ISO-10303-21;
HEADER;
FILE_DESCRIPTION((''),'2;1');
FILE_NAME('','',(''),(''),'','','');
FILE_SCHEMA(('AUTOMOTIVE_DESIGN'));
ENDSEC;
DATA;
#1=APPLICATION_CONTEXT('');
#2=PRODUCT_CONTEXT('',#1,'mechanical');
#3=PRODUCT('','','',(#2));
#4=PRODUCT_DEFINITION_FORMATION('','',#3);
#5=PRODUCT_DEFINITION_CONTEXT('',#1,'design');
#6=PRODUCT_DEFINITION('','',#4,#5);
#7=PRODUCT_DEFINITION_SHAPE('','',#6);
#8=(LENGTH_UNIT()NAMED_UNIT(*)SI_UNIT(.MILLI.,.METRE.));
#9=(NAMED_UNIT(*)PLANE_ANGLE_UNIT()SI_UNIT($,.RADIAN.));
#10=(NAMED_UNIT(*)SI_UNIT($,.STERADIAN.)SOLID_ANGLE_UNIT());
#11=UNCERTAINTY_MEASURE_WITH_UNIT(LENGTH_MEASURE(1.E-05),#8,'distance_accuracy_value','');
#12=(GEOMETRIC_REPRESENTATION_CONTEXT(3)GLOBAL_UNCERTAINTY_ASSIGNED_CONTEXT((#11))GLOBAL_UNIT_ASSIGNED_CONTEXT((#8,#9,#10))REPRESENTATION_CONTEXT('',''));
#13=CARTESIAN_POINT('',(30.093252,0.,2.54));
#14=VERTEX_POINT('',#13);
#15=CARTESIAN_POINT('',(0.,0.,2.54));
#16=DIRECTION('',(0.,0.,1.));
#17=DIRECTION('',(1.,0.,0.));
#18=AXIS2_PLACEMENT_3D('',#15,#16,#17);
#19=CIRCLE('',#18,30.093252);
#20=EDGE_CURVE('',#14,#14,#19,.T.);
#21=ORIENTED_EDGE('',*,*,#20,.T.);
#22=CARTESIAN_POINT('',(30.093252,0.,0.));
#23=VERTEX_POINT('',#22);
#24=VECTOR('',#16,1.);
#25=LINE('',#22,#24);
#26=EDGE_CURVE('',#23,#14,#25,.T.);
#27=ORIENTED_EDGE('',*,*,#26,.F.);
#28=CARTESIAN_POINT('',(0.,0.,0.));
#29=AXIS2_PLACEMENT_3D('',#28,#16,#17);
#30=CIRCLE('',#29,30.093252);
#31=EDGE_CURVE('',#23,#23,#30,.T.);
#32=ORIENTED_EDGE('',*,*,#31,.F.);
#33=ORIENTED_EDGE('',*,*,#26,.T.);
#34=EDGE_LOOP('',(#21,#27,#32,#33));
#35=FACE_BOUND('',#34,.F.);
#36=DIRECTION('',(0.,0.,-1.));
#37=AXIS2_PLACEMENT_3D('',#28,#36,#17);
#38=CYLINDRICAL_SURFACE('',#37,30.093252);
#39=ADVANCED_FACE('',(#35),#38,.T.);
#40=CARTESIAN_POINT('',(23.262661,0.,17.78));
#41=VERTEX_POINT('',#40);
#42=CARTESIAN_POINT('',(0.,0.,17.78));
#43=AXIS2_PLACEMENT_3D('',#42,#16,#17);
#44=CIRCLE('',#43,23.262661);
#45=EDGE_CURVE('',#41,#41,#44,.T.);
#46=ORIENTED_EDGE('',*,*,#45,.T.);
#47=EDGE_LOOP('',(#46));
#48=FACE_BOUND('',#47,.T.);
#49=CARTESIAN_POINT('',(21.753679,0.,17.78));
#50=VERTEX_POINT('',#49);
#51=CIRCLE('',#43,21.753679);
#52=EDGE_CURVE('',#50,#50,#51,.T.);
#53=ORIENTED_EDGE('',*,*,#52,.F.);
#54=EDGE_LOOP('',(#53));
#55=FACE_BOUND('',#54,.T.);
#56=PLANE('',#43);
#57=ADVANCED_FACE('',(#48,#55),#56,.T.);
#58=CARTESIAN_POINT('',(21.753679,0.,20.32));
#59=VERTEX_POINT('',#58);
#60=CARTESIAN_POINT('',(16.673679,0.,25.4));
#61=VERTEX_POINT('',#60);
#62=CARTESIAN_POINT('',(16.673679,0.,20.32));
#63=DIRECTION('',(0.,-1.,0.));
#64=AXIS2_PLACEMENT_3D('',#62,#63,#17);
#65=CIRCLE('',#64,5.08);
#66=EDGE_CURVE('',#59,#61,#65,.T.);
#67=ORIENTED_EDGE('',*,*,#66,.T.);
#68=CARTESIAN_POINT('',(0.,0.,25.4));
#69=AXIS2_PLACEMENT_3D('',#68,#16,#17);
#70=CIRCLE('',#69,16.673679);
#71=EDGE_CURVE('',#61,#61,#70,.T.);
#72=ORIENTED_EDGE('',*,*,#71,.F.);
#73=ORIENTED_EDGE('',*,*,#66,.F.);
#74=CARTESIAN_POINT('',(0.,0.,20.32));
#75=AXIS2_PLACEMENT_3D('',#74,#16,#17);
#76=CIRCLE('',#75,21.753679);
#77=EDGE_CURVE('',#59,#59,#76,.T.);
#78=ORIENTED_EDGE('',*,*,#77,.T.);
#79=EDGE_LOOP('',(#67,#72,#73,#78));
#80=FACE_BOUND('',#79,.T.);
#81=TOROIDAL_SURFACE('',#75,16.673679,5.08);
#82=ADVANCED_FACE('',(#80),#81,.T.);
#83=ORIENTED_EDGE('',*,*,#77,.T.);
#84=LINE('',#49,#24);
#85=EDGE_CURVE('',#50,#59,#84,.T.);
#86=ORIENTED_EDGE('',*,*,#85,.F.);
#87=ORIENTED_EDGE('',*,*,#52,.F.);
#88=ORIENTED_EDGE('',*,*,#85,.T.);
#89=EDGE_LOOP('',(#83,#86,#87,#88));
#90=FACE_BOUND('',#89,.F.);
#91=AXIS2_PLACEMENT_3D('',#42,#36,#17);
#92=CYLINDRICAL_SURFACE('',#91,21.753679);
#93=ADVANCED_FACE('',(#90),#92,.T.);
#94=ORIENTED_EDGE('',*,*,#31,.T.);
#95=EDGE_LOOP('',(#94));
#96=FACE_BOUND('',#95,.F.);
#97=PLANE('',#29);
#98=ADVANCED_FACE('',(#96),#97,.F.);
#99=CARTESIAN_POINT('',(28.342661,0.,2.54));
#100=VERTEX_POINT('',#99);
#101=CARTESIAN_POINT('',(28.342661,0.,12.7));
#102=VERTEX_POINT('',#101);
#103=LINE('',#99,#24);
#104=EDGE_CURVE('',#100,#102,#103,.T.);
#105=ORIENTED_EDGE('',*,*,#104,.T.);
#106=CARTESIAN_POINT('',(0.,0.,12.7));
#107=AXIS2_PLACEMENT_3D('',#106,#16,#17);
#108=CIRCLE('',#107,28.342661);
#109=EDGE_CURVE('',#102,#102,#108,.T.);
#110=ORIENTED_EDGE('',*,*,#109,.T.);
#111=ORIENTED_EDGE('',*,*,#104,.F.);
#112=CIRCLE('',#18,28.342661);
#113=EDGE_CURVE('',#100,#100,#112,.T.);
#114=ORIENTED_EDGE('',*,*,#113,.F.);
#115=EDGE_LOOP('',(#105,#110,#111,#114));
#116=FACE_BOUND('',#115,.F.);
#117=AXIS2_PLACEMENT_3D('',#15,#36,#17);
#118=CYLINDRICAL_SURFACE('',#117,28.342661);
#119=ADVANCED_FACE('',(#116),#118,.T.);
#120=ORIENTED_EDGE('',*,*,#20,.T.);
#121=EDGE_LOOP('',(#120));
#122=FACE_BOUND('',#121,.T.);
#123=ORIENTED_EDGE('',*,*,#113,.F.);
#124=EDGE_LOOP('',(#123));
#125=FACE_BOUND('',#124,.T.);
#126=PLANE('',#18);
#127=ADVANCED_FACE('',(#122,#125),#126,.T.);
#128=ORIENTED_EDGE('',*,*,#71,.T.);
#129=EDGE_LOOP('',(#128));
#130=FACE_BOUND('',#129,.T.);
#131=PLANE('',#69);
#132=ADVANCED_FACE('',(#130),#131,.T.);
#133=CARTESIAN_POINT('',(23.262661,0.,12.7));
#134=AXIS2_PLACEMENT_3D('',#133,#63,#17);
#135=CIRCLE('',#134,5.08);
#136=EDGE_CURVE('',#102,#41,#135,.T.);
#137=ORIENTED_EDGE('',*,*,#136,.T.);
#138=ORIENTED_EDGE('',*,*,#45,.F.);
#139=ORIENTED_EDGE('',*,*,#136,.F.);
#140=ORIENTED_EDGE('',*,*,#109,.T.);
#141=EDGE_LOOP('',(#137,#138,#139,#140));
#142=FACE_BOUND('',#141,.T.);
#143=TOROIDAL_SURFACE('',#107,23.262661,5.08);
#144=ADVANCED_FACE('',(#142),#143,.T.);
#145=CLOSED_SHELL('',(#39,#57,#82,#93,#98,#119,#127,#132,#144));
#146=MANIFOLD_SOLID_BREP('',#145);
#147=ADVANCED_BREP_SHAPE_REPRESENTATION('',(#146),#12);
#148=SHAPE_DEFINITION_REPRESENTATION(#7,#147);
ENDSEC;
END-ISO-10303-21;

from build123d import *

# Parameters (mm, degrees)
F0_R     = 30.093252
F1_DEPTH = 2.54
F2_R     = 28.342661
F3_DEPTH = 15.24
F4_R     = 5.08
F5_R     = 21.753679
F6_DEPTH = 7.62
F7_R     = 5.08


with BuildPart() as f1:
    # F0 (on Top) → F1 (new body)
    with BuildSketch(Plane.XY):
        Circle(F0_R)
    extrude(amount=F1_DEPTH)

    # F2 (on face) → F3 (join)
    with BuildSketch(Plane.XY.offset(2.54)):
        Circle(F2_R)
    extrude(amount=F3_DEPTH)

    # F4
    f4_edges = [f1.edges().sort_by_distance(p)[0] for p in [
        (-28.342661, 0, 17.78),
    ]]
    fillet(f4_edges, radius=F4_R)

    # F5 (on face) → F6 (join)
    with BuildSketch(Plane.XY.offset(17.78)):
        Circle(F5_R)
    extrude(amount=F6_DEPTH)

    # F7
    f7_edges = [f1.edges().sort_by_distance(p)[0] for p in [
        (-21.753679, 0, 25.4),
    ]]
    fillet(f7_edges, radius=F7_R)


solid = f1.part
